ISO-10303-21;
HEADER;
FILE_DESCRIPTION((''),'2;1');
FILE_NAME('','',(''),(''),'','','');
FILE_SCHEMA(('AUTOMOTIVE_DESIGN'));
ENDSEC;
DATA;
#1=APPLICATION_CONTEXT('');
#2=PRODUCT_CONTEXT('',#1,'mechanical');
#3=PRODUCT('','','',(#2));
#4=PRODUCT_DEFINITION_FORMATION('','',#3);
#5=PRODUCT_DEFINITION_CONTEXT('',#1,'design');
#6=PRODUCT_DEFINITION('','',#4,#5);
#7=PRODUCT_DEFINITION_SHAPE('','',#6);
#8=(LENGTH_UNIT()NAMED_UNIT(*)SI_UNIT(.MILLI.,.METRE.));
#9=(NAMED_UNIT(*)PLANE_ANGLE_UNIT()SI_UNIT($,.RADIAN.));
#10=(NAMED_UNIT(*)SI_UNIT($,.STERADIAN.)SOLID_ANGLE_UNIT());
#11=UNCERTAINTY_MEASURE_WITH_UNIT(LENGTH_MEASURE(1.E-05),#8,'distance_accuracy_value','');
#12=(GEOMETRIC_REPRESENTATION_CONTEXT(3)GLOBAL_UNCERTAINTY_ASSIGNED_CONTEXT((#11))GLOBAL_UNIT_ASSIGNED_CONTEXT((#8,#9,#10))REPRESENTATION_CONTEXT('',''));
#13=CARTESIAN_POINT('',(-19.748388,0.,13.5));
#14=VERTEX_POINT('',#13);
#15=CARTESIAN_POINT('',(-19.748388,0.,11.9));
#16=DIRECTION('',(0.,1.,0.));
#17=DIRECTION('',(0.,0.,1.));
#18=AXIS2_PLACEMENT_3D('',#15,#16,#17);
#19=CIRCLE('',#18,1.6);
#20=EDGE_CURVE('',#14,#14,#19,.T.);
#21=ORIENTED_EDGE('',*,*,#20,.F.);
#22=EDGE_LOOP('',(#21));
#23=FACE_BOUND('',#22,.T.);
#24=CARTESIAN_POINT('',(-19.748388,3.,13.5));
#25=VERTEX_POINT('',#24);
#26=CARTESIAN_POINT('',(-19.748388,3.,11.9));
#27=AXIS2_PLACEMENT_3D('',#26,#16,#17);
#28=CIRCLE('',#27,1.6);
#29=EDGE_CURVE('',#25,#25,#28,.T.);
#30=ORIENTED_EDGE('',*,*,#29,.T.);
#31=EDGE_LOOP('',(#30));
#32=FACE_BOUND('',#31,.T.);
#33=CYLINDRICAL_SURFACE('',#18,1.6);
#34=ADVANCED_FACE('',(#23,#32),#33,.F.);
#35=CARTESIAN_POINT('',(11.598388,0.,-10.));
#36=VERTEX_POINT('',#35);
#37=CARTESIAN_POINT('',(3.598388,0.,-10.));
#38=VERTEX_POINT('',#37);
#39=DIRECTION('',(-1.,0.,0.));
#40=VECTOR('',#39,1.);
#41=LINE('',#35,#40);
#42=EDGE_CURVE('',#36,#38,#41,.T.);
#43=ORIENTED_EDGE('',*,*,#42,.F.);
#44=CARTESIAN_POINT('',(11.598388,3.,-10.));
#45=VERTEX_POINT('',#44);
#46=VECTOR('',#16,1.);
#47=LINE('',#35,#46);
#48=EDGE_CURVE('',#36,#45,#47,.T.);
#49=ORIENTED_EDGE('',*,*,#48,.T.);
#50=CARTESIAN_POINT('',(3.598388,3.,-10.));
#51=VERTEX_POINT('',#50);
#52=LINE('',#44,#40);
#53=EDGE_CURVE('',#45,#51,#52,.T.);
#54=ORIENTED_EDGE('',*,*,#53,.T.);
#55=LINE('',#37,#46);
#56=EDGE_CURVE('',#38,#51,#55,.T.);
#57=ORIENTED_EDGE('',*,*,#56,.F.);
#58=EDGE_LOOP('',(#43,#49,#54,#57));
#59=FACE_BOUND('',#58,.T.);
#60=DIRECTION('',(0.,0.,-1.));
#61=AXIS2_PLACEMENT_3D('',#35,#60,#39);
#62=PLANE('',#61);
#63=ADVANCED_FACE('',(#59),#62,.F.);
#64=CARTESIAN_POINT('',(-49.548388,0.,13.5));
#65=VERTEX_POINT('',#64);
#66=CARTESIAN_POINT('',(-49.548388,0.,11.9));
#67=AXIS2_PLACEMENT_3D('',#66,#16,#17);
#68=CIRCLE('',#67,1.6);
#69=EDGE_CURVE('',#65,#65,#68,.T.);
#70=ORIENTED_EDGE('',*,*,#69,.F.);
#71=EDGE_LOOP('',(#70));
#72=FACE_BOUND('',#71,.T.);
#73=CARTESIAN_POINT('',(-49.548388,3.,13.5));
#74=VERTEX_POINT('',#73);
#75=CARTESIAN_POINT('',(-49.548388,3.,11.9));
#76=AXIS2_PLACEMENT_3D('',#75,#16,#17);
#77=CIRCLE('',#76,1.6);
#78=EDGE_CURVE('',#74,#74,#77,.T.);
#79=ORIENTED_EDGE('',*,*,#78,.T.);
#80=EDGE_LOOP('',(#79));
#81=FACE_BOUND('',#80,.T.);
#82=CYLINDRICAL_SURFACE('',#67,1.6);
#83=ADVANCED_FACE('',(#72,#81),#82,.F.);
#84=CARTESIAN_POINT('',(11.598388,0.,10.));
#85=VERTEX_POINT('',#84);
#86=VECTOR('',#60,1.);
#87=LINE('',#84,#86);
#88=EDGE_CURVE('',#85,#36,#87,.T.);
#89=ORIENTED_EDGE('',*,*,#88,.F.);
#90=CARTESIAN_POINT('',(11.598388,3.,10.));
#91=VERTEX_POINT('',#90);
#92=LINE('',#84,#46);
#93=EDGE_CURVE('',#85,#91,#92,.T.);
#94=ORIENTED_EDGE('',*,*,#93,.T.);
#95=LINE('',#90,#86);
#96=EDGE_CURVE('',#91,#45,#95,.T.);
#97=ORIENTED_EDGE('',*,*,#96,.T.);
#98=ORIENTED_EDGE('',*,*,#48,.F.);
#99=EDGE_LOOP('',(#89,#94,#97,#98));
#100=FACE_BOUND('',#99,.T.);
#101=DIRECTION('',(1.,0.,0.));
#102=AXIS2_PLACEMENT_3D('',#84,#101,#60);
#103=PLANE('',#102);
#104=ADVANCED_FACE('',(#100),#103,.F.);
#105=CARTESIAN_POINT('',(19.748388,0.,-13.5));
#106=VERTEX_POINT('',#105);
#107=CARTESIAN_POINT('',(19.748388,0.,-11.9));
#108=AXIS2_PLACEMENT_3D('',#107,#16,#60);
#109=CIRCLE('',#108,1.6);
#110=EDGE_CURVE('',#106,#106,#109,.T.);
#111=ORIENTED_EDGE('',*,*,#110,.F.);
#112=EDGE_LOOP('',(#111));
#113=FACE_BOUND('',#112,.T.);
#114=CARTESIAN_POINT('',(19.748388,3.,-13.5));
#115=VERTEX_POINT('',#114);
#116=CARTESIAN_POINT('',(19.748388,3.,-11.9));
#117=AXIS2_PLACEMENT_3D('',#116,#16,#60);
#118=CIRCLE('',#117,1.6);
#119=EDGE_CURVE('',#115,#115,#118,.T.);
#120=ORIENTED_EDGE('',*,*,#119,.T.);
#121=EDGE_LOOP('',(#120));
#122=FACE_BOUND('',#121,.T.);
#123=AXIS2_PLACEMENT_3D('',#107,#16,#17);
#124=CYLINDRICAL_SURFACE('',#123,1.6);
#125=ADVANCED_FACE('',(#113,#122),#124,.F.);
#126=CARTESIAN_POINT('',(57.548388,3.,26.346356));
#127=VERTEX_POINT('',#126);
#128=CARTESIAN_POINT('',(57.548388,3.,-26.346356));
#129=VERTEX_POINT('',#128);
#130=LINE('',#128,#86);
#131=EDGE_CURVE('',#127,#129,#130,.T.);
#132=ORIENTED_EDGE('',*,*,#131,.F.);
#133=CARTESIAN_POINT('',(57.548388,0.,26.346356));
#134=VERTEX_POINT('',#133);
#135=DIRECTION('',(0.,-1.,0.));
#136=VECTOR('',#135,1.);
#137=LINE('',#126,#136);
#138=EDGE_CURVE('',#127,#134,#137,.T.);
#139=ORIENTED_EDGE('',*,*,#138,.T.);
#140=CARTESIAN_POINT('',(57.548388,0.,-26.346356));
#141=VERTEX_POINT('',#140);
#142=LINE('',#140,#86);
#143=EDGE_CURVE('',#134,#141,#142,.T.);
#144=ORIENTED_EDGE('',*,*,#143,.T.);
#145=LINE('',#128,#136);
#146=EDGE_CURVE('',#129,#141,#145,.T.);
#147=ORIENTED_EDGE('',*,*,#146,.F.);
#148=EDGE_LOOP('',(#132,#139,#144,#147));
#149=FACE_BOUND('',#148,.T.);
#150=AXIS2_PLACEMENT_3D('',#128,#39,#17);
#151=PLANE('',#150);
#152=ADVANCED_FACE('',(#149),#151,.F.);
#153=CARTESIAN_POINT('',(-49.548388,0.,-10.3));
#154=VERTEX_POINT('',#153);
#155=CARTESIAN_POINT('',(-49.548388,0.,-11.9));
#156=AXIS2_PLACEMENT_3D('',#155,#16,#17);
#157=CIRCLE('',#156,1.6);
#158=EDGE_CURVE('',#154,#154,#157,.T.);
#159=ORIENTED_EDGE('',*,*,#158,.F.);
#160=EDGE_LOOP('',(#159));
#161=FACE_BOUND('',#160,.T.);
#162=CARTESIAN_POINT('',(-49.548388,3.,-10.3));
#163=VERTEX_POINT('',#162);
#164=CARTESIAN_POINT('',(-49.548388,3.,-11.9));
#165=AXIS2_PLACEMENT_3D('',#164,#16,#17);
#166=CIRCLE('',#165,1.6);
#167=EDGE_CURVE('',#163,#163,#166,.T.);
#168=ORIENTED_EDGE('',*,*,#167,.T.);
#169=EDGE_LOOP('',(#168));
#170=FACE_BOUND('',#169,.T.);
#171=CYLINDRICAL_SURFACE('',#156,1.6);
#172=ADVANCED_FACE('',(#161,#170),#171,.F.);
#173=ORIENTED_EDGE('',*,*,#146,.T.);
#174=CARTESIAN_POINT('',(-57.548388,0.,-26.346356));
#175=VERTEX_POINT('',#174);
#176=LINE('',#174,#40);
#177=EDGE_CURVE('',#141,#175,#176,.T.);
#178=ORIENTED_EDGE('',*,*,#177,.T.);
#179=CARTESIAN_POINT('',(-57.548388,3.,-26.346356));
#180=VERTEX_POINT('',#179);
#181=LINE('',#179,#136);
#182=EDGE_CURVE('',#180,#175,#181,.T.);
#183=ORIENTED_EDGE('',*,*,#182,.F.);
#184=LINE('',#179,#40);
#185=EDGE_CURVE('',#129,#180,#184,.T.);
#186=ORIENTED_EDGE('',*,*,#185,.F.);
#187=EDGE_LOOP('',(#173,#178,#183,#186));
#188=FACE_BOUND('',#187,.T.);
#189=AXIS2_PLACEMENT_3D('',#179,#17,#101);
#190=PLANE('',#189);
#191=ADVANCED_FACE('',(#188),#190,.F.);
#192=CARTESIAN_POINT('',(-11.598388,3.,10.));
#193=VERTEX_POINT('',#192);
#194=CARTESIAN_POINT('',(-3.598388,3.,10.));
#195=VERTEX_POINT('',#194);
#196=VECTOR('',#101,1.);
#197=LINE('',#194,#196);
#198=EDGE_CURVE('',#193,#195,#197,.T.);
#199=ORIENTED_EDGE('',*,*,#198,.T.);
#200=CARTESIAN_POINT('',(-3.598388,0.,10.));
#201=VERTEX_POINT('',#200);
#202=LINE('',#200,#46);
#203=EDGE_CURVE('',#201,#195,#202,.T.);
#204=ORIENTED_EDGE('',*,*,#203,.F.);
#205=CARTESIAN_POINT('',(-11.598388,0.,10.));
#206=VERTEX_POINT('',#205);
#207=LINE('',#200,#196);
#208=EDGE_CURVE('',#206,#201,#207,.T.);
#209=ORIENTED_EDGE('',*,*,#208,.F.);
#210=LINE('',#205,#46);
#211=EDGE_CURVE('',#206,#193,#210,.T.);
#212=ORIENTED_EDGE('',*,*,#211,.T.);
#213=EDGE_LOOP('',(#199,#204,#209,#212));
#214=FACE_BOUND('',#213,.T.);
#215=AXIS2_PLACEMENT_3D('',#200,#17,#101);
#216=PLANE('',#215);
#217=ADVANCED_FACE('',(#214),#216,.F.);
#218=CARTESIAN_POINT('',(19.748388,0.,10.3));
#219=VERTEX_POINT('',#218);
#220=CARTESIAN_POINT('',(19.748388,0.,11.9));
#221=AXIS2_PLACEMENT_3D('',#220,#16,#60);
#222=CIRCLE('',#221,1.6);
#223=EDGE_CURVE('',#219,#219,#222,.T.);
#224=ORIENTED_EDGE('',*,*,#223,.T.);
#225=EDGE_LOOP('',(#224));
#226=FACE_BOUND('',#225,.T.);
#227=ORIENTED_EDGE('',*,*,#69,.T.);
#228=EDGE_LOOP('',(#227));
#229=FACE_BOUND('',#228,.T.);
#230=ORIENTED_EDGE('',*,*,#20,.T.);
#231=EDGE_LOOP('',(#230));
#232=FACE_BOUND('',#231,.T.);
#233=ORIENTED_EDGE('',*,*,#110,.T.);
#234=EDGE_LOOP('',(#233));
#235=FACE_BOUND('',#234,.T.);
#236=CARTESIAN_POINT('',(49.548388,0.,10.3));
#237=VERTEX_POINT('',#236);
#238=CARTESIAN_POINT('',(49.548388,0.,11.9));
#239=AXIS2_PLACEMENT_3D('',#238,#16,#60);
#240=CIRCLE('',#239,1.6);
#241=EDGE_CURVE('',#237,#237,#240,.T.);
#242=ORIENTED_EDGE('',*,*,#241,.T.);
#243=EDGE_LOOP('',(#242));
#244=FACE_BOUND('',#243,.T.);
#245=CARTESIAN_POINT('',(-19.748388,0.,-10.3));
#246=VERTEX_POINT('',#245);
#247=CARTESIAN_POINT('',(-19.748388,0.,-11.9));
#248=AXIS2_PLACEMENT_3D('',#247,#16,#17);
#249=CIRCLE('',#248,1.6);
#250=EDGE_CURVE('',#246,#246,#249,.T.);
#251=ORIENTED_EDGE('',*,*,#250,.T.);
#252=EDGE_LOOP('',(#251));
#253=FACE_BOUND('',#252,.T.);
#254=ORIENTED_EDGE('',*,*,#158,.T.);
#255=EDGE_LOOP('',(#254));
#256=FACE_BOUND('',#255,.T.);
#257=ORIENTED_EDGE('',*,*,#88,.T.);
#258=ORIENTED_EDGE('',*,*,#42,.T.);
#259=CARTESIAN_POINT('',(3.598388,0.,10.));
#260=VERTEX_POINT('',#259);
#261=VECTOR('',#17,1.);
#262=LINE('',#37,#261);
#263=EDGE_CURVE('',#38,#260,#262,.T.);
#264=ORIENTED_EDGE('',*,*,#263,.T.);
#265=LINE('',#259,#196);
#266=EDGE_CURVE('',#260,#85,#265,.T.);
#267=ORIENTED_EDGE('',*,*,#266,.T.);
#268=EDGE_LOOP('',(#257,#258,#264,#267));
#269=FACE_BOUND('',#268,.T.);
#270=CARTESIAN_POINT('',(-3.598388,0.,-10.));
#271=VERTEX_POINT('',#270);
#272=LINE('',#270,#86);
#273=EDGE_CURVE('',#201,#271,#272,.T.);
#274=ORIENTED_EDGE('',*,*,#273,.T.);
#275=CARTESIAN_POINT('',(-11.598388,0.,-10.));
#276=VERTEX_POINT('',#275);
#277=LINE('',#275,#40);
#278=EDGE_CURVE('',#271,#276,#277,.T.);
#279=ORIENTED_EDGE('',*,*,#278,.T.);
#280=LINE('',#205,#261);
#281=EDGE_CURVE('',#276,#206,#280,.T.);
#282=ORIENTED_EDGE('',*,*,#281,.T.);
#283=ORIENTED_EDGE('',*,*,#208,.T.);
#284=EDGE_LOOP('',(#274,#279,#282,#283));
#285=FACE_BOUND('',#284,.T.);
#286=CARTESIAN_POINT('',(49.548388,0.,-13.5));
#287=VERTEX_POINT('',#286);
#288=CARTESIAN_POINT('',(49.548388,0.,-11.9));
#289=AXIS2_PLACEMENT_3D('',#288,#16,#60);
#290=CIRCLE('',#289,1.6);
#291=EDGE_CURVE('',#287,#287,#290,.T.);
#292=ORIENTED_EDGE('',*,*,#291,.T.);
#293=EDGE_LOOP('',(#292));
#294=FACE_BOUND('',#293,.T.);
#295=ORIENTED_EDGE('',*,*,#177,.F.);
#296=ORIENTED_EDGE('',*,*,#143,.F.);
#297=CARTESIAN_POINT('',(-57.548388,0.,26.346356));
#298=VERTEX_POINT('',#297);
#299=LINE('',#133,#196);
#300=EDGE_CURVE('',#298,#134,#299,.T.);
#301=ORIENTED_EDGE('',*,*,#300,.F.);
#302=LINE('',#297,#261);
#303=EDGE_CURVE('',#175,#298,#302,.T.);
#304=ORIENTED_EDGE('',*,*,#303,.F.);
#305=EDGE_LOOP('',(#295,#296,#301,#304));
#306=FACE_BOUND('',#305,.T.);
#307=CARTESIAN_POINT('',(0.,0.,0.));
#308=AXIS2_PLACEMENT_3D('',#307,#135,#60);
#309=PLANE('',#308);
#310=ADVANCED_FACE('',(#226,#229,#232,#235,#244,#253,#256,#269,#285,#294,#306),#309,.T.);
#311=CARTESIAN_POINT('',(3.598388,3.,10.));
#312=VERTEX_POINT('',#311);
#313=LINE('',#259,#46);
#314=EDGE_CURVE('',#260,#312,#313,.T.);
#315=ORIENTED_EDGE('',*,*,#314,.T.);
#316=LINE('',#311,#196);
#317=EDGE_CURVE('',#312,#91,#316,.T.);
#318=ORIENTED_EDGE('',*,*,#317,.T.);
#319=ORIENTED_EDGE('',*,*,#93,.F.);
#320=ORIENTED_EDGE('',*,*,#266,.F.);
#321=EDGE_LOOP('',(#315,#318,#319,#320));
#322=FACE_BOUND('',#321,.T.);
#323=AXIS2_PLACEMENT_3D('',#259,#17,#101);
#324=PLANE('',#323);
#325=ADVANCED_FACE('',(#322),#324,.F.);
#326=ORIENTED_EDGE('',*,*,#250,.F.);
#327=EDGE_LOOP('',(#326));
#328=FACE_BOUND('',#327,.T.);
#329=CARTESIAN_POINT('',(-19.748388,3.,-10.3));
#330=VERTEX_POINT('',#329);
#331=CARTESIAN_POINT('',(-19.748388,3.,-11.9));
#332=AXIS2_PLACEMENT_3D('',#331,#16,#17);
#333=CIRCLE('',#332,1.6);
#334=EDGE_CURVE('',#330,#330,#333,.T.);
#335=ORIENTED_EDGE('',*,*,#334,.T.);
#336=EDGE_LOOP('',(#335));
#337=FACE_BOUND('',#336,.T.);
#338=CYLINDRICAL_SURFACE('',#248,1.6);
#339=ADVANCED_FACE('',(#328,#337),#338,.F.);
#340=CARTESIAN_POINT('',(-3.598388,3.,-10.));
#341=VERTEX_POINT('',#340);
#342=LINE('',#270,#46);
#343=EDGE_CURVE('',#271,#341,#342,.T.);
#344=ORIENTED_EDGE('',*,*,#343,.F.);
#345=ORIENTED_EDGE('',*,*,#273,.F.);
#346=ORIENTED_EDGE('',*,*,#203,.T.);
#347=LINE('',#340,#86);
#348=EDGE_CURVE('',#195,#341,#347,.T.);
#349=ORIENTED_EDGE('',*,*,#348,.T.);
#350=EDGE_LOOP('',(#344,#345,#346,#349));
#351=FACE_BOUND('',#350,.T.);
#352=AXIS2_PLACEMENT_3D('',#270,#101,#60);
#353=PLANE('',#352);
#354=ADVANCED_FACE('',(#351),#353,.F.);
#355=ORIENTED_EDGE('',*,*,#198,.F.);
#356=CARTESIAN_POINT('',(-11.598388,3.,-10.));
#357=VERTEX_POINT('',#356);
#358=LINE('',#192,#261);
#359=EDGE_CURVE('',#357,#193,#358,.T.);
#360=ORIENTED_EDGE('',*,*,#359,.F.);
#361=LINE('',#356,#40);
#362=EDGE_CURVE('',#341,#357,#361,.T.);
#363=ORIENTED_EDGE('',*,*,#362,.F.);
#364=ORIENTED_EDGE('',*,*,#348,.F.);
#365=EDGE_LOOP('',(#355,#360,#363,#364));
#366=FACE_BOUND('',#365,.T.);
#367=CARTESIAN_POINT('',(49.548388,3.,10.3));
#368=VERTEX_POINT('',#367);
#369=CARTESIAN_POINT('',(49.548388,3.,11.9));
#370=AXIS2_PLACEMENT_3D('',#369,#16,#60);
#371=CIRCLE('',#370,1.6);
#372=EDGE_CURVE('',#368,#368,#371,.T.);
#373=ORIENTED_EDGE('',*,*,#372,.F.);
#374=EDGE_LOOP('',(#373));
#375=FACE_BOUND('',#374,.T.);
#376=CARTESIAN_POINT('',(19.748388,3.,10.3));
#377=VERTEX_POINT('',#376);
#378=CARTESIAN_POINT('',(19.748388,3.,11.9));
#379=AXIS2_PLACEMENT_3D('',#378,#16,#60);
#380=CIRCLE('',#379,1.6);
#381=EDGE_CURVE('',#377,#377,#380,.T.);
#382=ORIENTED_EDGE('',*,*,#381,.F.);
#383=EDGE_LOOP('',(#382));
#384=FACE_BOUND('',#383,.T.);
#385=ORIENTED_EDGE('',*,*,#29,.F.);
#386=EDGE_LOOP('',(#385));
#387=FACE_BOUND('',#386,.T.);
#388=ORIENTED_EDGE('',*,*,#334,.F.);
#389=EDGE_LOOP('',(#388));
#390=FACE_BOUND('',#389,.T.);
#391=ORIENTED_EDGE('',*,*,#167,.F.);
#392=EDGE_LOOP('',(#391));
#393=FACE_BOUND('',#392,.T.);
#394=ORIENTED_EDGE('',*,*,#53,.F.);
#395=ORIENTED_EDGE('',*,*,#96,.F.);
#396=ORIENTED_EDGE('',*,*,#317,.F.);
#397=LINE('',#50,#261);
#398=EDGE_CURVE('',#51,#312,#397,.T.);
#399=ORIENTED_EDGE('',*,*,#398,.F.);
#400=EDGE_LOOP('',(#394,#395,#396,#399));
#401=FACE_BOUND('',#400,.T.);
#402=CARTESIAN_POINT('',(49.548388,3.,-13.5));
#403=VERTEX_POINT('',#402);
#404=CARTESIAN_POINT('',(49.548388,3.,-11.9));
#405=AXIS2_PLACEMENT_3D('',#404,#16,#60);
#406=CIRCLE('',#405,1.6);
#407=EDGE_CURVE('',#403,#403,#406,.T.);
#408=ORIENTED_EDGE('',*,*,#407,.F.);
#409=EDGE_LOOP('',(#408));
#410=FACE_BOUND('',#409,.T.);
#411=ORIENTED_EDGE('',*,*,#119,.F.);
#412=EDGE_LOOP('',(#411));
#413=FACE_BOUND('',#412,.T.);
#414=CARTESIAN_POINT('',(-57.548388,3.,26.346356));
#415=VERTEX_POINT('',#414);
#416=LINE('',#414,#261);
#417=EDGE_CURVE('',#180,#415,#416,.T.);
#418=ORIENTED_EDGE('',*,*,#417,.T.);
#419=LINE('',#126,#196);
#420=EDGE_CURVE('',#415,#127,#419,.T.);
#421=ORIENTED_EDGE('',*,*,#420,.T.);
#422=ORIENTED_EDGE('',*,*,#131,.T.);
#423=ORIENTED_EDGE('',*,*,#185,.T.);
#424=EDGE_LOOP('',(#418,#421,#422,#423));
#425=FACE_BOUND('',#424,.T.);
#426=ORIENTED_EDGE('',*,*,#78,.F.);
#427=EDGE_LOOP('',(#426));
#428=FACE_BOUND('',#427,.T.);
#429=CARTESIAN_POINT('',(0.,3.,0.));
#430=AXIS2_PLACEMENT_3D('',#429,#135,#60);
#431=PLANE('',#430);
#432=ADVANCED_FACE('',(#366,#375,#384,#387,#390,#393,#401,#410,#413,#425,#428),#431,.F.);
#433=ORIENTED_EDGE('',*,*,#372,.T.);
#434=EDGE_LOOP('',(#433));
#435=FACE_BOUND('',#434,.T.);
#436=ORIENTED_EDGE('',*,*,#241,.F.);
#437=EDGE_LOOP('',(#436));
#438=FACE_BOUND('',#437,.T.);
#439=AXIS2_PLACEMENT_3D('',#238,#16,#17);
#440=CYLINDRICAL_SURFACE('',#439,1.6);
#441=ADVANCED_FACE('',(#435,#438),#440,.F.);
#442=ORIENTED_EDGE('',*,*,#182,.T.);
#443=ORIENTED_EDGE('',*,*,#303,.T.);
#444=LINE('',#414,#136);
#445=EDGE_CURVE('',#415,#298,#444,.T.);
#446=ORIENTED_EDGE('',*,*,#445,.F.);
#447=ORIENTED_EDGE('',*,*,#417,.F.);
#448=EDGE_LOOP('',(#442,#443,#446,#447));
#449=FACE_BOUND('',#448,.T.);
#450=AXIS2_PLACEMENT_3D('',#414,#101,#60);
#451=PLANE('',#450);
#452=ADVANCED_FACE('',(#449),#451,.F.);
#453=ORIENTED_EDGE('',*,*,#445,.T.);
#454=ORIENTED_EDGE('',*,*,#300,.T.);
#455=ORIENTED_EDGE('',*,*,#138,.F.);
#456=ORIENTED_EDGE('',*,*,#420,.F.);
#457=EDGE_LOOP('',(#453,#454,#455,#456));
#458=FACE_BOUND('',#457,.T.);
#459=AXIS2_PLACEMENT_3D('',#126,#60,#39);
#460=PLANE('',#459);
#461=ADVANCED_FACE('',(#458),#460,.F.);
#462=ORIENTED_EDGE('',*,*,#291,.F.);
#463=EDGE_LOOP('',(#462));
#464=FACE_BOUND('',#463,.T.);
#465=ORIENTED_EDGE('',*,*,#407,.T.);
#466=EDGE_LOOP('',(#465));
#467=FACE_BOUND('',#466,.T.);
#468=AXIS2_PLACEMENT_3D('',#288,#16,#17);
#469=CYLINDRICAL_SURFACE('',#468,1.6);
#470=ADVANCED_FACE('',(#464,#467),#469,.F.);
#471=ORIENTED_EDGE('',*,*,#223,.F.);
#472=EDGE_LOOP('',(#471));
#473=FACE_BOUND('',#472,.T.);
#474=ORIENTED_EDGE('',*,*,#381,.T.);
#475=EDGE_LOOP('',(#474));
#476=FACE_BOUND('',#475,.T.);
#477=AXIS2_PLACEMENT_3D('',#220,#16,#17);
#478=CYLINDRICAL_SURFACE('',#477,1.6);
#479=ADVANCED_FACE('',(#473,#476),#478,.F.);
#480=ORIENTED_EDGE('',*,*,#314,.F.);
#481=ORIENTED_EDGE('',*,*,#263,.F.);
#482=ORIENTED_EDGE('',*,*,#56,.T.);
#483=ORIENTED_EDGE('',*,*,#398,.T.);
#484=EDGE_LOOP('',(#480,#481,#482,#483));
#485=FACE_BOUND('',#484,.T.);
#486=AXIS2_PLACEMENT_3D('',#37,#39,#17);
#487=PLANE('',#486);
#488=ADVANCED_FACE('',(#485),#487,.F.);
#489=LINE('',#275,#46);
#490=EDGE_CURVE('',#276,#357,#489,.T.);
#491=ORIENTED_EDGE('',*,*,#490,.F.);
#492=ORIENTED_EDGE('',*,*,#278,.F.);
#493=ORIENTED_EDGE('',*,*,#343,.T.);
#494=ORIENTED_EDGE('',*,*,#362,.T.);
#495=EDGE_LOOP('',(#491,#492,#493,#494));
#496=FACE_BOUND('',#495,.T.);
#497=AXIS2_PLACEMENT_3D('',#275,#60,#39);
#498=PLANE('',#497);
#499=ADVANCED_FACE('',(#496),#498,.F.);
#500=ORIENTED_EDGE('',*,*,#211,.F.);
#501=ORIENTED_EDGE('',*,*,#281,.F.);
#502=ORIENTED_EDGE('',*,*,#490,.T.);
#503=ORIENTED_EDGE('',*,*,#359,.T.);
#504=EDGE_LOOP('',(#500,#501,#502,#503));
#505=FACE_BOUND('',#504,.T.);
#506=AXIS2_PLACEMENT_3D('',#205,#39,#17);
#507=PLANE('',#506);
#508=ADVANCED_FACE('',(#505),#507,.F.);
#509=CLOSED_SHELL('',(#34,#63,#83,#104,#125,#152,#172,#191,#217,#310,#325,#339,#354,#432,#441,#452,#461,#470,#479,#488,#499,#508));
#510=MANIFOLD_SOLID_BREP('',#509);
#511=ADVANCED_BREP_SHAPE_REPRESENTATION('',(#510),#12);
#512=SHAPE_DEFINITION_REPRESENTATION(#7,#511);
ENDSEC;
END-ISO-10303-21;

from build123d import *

# Parameters (mm, degrees)
ESBO_O1_W                = 115.09677689
ESBO_O1_H                = 52.692711406
RESSALTO_EXTRUS_O1_DEPTH = 3
ESBO_O2_R                = 1.6
CORTE_EXTRUS_O1_DEPTH    = 64.36361315
ESBO_O3_W                = 8
ESBO_O3_H                = 20
CORTE_EXTRUS_O2_DEPTH    = 64.36361315


with BuildPart() as part:
    # Esboço1 → Ressalto-extrusão1 (new body)
    with BuildSketch(Plane(origin=(0, 0, 0), x_dir=(1, 0, 0), z_dir=(0, 1, 0))):
        Rectangle(ESBO_O1_W, ESBO_O1_H)
    extrude(amount=RESSALTO_EXTRUS_O1_DEPTH)

    # Esboço2 → Corte-extrusão1 (cut, through all)
    with BuildSketch(Plane(origin=(0, 3, 0), x_dir=(1, 0, 0), z_dir=(0, 1, 0))):
        with Locations(Location((-49.548388445, 11.9, 0), (0, 0, 270))):
            Circle(ESBO_O2_R)
        with Locations(Location((-19.748388445, 11.9, 0), (0, 0, 270))):
            Circle(ESBO_O2_R)
        with Locations(Location((-49.548388445, -11.9, 0), (0, 0, 270))):
            Circle(ESBO_O2_R)
        with Locations(Location((-19.748388445, -11.9, 0), (0, 0, 270))):
            Circle(ESBO_O2_R)
        with Locations(Location((49.548388445, -11.9, 0), (0, 0, 90))):
            Circle(ESBO_O2_R)
        with Locations(Location((19.748388445, -11.9, 0), (0, 0, 90))):
            Circle(ESBO_O2_R)
        with Locations(Location((19.748388445, 11.9, 0), (0, 0, 90))):
            Circle(ESBO_O2_R)
        with Locations(Location((49.548388445, 11.9, 0), (0, 0, 90))):
            Circle(ESBO_O2_R)
    extrude(amount=-CORTE_EXTRUS_O1_DEPTH, mode=Mode.SUBTRACT)

    # Esboço3 → Corte-extrusão2 (cut, through all)
    with BuildSketch(Plane(origin=(0, 3, 0), x_dir=(1, 0, 0), z_dir=(0, 1, 0))):
        with Locations((-7.598388445, 0)):
            Rectangle(ESBO_O3_W, ESBO_O3_H)
        with Locations((7.598388445, 0)):
            Rectangle(ESBO_O3_W, ESBO_O3_H)
    extrude(amount=-CORTE_EXTRUS_O2_DEPTH, mode=Mode.SUBTRACT)


solid = part.part
